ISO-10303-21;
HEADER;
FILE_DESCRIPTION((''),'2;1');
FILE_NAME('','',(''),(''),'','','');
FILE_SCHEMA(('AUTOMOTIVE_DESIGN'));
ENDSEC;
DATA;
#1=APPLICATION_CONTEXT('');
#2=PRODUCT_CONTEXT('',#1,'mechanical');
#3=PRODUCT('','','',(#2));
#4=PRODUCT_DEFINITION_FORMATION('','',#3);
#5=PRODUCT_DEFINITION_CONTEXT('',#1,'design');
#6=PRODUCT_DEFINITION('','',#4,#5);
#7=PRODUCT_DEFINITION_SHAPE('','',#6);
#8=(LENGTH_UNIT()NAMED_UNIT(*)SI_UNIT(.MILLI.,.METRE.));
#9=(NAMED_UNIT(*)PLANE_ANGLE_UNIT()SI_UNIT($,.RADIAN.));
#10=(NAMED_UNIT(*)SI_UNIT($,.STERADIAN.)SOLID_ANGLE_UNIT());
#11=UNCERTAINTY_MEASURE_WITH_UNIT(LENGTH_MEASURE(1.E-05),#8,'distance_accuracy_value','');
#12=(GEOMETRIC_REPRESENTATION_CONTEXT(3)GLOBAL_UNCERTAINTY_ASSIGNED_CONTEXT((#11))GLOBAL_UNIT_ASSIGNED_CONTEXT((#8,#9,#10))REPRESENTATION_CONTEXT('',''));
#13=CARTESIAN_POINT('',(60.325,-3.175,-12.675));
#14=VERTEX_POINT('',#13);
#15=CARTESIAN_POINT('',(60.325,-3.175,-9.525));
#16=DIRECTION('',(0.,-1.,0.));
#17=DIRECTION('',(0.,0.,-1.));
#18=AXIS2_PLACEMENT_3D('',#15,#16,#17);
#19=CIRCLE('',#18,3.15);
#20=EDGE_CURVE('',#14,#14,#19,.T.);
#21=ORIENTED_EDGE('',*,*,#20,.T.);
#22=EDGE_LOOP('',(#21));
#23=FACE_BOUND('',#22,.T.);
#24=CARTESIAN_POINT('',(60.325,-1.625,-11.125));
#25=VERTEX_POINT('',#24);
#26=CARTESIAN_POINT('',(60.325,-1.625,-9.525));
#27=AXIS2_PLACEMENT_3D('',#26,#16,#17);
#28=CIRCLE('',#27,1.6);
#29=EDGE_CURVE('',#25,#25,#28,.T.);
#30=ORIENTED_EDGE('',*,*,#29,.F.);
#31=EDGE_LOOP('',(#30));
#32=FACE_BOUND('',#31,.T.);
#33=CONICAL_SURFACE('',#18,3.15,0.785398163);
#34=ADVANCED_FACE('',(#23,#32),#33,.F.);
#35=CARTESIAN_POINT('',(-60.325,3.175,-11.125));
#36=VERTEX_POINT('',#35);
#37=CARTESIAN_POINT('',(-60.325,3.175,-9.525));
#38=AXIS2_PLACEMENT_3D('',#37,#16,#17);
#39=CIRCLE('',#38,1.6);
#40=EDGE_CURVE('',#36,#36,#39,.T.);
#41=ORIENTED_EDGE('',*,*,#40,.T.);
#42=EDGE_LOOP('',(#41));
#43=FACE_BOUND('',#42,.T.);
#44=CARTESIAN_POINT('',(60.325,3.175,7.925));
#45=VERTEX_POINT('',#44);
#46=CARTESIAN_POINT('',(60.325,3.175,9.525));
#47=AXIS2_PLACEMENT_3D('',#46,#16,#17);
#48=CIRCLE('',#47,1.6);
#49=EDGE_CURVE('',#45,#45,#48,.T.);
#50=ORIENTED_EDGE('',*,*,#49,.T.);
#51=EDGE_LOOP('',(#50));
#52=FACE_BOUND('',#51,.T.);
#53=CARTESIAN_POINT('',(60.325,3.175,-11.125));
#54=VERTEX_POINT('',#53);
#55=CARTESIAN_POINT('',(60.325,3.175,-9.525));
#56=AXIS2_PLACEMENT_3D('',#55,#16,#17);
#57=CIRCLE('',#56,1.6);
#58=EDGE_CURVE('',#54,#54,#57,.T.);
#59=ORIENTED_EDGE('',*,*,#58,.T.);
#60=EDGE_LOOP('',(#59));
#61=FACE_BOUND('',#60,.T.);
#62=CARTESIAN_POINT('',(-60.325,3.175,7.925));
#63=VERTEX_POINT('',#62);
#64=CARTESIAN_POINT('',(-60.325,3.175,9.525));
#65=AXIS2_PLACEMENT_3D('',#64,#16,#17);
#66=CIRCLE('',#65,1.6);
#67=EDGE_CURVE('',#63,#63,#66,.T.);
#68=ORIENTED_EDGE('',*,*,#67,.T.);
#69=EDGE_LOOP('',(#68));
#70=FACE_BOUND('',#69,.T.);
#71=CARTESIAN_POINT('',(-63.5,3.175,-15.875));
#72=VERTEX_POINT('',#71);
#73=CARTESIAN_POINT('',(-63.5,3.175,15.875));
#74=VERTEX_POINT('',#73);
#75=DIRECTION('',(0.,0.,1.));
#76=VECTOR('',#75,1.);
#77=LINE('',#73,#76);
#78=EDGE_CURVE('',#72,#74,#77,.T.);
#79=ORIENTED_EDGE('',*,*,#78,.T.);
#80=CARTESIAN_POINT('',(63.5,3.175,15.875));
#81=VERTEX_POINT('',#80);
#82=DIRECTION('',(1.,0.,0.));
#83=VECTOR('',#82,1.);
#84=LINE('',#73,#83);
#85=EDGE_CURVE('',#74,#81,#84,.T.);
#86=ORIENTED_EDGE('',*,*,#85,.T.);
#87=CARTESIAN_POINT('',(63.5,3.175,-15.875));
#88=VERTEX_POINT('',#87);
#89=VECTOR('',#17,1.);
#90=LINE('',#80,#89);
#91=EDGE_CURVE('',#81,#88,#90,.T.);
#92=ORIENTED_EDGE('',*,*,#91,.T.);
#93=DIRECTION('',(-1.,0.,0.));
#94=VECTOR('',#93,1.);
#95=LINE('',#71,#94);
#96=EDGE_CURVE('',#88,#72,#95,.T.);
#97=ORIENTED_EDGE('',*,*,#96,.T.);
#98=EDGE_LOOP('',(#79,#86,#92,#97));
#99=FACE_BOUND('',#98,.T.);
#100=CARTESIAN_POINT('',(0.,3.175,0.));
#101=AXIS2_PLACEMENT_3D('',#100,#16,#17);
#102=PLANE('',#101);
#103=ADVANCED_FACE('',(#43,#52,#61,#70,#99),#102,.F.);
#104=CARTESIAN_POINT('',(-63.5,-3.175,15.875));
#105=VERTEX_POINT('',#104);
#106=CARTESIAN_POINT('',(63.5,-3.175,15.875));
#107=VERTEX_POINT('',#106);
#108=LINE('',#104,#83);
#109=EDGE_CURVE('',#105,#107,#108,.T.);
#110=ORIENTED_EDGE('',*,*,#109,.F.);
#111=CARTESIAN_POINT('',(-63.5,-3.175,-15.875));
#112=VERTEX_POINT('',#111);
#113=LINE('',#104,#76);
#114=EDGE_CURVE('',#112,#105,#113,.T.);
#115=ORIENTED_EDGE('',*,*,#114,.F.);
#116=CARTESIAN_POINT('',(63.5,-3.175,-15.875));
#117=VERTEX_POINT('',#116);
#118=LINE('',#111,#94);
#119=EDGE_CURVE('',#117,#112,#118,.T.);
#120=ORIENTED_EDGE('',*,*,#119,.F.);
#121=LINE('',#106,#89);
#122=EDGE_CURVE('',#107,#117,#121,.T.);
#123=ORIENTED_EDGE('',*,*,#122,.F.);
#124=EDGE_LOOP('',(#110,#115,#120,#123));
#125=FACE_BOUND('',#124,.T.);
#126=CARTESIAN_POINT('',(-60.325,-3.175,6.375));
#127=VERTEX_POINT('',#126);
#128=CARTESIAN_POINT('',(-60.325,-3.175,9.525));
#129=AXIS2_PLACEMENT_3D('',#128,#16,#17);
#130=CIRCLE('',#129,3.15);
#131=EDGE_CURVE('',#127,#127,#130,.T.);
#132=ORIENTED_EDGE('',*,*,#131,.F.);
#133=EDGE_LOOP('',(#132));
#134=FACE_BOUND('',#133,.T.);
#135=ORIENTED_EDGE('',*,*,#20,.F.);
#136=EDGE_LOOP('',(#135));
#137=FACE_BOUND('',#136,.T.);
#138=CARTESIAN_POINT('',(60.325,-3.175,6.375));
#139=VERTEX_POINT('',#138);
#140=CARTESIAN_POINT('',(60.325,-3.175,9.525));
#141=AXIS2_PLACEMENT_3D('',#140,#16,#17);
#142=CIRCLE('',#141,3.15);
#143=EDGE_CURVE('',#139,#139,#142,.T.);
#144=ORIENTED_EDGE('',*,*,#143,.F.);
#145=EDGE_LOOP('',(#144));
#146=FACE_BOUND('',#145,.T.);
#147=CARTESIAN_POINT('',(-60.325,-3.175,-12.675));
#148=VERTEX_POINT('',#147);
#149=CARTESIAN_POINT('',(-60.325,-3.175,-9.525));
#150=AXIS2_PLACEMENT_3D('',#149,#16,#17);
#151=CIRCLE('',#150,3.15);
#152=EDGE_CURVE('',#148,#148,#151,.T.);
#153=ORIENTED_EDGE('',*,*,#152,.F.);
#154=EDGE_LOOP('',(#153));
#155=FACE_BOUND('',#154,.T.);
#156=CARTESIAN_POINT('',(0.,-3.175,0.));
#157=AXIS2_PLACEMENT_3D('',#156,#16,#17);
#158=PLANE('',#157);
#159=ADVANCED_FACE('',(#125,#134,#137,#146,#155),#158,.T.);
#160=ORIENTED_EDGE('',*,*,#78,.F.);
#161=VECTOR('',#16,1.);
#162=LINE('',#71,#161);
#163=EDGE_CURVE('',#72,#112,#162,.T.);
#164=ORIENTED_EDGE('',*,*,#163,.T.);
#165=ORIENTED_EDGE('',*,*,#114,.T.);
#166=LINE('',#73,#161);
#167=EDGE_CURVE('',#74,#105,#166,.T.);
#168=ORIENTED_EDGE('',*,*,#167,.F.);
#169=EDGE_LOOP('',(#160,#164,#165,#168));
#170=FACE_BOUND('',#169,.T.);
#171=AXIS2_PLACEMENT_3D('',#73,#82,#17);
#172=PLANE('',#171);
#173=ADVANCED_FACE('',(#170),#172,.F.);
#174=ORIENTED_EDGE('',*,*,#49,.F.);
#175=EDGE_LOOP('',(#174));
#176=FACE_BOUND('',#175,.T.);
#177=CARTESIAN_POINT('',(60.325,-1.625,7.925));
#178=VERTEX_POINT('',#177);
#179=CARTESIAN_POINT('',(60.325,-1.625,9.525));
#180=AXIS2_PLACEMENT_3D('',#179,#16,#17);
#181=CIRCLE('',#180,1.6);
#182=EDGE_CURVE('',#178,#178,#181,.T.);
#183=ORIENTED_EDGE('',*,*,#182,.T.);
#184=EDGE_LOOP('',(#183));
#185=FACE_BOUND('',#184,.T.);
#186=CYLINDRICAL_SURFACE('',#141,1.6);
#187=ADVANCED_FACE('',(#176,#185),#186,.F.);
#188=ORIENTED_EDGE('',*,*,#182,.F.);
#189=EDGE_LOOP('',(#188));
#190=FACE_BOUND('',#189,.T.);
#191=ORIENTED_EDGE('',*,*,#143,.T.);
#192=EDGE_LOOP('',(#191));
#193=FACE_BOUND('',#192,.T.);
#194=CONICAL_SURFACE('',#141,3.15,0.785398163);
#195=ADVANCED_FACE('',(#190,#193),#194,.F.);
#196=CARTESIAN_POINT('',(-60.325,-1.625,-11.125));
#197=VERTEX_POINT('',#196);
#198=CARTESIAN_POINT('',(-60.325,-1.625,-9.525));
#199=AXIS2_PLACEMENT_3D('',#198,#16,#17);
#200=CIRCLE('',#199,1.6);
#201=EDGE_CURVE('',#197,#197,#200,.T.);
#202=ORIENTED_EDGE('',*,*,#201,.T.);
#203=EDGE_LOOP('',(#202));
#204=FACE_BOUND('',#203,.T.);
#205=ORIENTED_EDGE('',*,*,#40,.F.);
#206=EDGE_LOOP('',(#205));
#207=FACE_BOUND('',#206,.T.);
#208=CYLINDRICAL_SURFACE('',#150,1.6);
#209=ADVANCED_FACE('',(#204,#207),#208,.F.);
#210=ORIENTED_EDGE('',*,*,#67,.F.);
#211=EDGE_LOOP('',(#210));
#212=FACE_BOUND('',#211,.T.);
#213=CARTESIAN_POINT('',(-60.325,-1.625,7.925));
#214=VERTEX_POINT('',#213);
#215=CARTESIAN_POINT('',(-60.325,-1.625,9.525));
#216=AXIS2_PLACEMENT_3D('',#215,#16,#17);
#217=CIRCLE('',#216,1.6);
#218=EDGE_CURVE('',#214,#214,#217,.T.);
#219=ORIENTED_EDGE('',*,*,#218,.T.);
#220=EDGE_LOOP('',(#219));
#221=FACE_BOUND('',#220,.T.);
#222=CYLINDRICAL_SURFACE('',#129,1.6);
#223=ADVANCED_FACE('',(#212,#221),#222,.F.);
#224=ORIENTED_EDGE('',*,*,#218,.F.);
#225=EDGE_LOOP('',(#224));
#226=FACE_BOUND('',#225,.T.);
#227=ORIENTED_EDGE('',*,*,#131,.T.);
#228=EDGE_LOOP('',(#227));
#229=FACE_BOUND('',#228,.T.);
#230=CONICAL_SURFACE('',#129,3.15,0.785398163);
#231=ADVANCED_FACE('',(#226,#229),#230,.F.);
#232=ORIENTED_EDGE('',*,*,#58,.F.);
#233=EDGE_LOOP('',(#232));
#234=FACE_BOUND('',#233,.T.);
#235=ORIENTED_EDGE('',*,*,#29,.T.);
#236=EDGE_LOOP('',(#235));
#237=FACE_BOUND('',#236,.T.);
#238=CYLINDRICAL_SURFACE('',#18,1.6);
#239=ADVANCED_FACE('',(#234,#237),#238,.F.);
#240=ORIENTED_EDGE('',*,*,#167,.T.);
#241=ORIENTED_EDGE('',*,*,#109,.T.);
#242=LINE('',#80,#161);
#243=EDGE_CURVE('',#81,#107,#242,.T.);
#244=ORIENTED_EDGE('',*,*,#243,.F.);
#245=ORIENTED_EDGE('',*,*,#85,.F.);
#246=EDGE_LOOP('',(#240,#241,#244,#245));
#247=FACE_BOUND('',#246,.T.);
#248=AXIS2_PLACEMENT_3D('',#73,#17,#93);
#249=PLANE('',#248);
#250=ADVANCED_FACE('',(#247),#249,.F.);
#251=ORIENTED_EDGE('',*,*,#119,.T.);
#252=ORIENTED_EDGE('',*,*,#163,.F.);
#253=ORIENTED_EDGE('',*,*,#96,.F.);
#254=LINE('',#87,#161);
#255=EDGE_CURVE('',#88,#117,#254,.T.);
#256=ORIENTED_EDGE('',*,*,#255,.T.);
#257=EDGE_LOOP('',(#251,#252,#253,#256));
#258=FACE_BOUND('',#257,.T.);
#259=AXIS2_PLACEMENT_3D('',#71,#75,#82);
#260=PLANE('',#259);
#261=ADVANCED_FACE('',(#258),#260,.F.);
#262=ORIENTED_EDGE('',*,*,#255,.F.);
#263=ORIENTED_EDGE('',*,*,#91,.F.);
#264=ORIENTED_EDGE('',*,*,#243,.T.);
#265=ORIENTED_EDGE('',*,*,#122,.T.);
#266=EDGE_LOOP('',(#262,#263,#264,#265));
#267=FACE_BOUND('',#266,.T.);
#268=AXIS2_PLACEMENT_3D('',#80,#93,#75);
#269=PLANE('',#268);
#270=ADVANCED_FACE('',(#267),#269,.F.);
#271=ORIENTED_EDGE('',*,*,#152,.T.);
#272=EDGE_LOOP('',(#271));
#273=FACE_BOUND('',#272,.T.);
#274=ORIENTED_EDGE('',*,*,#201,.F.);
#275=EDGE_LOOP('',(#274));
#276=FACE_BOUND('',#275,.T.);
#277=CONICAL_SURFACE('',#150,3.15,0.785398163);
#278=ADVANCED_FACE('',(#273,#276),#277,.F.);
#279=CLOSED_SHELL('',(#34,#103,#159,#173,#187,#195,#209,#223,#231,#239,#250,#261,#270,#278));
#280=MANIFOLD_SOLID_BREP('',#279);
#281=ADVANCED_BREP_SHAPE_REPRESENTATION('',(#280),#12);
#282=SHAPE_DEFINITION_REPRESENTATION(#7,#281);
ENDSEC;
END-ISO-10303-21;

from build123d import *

# Parameters (mm, degrees)
SKETCH1_W                                       = 127
SKETCH1_H                                       = 31.75
BOSS_EXTRUDE1_DEPTH                             = 3.175
CSK_FOR_M3_FLAT_HEAD_MACHINE_SCREW1_D           = 3.2
CSK_FOR_M3_FLAT_HEAD_MACHINE_SCREW1_DEPTH       = 12.7
CSK_FOR_M3_FLAT_HEAD_MACHINE_SCREW1_CSINK_D     = 6.3
CSK_FOR_M3_FLAT_HEAD_MACHINE_SCREW1_CSINK_ANGLE = 90
CSK_FOR_M3_FLAT_HEAD_MACHINE_SCREW1_TIP         = 0.96137699


with BuildPart() as part:
    # Sketch1 → Boss-Extrude1 (new, symmetric)
    with BuildSketch(Plane(origin=(0, 0, 0), x_dir=(1, 0, 0), z_dir=(0, 1, 0))):
        Rectangle(SKETCH1_W, SKETCH1_H)
    extrude(amount=BOSS_EXTRUDE1_DEPTH, both=True)

    # CSK for M3 Flat Head Machine Screw1
    with Locations(Plane(origin=(0, -3.175, 0), x_dir=(-1, 0, 0), z_dir=(0, -1, 0))):
        with Locations((60.325, -9.525), (60.325, 9.525), (-60.325, -9.525), (-60.325, 9.525)):
            CounterSinkHole(CSK_FOR_M3_FLAT_HEAD_MACHINE_SCREW1_D / 2, CSK_FOR_M3_FLAT_HEAD_MACHINE_SCREW1_CSINK_D / 2, depth=CSK_FOR_M3_FLAT_HEAD_MACHINE_SCREW1_DEPTH, counter_sink_angle=CSK_FOR_M3_FLAT_HEAD_MACHINE_SCREW1_CSINK_ANGLE)
            with Locations((0, 0, -(CSK_FOR_M3_FLAT_HEAD_MACHINE_SCREW1_DEPTH + CSK_FOR_M3_FLAT_HEAD_MACHINE_SCREW1_TIP / 2))):  # 118° drill point
                Cone(0, CSK_FOR_M3_FLAT_HEAD_MACHINE_SCREW1_D / 2, CSK_FOR_M3_FLAT_HEAD_MACHINE_SCREW1_TIP, mode=Mode.SUBTRACT)


solid = part.part
